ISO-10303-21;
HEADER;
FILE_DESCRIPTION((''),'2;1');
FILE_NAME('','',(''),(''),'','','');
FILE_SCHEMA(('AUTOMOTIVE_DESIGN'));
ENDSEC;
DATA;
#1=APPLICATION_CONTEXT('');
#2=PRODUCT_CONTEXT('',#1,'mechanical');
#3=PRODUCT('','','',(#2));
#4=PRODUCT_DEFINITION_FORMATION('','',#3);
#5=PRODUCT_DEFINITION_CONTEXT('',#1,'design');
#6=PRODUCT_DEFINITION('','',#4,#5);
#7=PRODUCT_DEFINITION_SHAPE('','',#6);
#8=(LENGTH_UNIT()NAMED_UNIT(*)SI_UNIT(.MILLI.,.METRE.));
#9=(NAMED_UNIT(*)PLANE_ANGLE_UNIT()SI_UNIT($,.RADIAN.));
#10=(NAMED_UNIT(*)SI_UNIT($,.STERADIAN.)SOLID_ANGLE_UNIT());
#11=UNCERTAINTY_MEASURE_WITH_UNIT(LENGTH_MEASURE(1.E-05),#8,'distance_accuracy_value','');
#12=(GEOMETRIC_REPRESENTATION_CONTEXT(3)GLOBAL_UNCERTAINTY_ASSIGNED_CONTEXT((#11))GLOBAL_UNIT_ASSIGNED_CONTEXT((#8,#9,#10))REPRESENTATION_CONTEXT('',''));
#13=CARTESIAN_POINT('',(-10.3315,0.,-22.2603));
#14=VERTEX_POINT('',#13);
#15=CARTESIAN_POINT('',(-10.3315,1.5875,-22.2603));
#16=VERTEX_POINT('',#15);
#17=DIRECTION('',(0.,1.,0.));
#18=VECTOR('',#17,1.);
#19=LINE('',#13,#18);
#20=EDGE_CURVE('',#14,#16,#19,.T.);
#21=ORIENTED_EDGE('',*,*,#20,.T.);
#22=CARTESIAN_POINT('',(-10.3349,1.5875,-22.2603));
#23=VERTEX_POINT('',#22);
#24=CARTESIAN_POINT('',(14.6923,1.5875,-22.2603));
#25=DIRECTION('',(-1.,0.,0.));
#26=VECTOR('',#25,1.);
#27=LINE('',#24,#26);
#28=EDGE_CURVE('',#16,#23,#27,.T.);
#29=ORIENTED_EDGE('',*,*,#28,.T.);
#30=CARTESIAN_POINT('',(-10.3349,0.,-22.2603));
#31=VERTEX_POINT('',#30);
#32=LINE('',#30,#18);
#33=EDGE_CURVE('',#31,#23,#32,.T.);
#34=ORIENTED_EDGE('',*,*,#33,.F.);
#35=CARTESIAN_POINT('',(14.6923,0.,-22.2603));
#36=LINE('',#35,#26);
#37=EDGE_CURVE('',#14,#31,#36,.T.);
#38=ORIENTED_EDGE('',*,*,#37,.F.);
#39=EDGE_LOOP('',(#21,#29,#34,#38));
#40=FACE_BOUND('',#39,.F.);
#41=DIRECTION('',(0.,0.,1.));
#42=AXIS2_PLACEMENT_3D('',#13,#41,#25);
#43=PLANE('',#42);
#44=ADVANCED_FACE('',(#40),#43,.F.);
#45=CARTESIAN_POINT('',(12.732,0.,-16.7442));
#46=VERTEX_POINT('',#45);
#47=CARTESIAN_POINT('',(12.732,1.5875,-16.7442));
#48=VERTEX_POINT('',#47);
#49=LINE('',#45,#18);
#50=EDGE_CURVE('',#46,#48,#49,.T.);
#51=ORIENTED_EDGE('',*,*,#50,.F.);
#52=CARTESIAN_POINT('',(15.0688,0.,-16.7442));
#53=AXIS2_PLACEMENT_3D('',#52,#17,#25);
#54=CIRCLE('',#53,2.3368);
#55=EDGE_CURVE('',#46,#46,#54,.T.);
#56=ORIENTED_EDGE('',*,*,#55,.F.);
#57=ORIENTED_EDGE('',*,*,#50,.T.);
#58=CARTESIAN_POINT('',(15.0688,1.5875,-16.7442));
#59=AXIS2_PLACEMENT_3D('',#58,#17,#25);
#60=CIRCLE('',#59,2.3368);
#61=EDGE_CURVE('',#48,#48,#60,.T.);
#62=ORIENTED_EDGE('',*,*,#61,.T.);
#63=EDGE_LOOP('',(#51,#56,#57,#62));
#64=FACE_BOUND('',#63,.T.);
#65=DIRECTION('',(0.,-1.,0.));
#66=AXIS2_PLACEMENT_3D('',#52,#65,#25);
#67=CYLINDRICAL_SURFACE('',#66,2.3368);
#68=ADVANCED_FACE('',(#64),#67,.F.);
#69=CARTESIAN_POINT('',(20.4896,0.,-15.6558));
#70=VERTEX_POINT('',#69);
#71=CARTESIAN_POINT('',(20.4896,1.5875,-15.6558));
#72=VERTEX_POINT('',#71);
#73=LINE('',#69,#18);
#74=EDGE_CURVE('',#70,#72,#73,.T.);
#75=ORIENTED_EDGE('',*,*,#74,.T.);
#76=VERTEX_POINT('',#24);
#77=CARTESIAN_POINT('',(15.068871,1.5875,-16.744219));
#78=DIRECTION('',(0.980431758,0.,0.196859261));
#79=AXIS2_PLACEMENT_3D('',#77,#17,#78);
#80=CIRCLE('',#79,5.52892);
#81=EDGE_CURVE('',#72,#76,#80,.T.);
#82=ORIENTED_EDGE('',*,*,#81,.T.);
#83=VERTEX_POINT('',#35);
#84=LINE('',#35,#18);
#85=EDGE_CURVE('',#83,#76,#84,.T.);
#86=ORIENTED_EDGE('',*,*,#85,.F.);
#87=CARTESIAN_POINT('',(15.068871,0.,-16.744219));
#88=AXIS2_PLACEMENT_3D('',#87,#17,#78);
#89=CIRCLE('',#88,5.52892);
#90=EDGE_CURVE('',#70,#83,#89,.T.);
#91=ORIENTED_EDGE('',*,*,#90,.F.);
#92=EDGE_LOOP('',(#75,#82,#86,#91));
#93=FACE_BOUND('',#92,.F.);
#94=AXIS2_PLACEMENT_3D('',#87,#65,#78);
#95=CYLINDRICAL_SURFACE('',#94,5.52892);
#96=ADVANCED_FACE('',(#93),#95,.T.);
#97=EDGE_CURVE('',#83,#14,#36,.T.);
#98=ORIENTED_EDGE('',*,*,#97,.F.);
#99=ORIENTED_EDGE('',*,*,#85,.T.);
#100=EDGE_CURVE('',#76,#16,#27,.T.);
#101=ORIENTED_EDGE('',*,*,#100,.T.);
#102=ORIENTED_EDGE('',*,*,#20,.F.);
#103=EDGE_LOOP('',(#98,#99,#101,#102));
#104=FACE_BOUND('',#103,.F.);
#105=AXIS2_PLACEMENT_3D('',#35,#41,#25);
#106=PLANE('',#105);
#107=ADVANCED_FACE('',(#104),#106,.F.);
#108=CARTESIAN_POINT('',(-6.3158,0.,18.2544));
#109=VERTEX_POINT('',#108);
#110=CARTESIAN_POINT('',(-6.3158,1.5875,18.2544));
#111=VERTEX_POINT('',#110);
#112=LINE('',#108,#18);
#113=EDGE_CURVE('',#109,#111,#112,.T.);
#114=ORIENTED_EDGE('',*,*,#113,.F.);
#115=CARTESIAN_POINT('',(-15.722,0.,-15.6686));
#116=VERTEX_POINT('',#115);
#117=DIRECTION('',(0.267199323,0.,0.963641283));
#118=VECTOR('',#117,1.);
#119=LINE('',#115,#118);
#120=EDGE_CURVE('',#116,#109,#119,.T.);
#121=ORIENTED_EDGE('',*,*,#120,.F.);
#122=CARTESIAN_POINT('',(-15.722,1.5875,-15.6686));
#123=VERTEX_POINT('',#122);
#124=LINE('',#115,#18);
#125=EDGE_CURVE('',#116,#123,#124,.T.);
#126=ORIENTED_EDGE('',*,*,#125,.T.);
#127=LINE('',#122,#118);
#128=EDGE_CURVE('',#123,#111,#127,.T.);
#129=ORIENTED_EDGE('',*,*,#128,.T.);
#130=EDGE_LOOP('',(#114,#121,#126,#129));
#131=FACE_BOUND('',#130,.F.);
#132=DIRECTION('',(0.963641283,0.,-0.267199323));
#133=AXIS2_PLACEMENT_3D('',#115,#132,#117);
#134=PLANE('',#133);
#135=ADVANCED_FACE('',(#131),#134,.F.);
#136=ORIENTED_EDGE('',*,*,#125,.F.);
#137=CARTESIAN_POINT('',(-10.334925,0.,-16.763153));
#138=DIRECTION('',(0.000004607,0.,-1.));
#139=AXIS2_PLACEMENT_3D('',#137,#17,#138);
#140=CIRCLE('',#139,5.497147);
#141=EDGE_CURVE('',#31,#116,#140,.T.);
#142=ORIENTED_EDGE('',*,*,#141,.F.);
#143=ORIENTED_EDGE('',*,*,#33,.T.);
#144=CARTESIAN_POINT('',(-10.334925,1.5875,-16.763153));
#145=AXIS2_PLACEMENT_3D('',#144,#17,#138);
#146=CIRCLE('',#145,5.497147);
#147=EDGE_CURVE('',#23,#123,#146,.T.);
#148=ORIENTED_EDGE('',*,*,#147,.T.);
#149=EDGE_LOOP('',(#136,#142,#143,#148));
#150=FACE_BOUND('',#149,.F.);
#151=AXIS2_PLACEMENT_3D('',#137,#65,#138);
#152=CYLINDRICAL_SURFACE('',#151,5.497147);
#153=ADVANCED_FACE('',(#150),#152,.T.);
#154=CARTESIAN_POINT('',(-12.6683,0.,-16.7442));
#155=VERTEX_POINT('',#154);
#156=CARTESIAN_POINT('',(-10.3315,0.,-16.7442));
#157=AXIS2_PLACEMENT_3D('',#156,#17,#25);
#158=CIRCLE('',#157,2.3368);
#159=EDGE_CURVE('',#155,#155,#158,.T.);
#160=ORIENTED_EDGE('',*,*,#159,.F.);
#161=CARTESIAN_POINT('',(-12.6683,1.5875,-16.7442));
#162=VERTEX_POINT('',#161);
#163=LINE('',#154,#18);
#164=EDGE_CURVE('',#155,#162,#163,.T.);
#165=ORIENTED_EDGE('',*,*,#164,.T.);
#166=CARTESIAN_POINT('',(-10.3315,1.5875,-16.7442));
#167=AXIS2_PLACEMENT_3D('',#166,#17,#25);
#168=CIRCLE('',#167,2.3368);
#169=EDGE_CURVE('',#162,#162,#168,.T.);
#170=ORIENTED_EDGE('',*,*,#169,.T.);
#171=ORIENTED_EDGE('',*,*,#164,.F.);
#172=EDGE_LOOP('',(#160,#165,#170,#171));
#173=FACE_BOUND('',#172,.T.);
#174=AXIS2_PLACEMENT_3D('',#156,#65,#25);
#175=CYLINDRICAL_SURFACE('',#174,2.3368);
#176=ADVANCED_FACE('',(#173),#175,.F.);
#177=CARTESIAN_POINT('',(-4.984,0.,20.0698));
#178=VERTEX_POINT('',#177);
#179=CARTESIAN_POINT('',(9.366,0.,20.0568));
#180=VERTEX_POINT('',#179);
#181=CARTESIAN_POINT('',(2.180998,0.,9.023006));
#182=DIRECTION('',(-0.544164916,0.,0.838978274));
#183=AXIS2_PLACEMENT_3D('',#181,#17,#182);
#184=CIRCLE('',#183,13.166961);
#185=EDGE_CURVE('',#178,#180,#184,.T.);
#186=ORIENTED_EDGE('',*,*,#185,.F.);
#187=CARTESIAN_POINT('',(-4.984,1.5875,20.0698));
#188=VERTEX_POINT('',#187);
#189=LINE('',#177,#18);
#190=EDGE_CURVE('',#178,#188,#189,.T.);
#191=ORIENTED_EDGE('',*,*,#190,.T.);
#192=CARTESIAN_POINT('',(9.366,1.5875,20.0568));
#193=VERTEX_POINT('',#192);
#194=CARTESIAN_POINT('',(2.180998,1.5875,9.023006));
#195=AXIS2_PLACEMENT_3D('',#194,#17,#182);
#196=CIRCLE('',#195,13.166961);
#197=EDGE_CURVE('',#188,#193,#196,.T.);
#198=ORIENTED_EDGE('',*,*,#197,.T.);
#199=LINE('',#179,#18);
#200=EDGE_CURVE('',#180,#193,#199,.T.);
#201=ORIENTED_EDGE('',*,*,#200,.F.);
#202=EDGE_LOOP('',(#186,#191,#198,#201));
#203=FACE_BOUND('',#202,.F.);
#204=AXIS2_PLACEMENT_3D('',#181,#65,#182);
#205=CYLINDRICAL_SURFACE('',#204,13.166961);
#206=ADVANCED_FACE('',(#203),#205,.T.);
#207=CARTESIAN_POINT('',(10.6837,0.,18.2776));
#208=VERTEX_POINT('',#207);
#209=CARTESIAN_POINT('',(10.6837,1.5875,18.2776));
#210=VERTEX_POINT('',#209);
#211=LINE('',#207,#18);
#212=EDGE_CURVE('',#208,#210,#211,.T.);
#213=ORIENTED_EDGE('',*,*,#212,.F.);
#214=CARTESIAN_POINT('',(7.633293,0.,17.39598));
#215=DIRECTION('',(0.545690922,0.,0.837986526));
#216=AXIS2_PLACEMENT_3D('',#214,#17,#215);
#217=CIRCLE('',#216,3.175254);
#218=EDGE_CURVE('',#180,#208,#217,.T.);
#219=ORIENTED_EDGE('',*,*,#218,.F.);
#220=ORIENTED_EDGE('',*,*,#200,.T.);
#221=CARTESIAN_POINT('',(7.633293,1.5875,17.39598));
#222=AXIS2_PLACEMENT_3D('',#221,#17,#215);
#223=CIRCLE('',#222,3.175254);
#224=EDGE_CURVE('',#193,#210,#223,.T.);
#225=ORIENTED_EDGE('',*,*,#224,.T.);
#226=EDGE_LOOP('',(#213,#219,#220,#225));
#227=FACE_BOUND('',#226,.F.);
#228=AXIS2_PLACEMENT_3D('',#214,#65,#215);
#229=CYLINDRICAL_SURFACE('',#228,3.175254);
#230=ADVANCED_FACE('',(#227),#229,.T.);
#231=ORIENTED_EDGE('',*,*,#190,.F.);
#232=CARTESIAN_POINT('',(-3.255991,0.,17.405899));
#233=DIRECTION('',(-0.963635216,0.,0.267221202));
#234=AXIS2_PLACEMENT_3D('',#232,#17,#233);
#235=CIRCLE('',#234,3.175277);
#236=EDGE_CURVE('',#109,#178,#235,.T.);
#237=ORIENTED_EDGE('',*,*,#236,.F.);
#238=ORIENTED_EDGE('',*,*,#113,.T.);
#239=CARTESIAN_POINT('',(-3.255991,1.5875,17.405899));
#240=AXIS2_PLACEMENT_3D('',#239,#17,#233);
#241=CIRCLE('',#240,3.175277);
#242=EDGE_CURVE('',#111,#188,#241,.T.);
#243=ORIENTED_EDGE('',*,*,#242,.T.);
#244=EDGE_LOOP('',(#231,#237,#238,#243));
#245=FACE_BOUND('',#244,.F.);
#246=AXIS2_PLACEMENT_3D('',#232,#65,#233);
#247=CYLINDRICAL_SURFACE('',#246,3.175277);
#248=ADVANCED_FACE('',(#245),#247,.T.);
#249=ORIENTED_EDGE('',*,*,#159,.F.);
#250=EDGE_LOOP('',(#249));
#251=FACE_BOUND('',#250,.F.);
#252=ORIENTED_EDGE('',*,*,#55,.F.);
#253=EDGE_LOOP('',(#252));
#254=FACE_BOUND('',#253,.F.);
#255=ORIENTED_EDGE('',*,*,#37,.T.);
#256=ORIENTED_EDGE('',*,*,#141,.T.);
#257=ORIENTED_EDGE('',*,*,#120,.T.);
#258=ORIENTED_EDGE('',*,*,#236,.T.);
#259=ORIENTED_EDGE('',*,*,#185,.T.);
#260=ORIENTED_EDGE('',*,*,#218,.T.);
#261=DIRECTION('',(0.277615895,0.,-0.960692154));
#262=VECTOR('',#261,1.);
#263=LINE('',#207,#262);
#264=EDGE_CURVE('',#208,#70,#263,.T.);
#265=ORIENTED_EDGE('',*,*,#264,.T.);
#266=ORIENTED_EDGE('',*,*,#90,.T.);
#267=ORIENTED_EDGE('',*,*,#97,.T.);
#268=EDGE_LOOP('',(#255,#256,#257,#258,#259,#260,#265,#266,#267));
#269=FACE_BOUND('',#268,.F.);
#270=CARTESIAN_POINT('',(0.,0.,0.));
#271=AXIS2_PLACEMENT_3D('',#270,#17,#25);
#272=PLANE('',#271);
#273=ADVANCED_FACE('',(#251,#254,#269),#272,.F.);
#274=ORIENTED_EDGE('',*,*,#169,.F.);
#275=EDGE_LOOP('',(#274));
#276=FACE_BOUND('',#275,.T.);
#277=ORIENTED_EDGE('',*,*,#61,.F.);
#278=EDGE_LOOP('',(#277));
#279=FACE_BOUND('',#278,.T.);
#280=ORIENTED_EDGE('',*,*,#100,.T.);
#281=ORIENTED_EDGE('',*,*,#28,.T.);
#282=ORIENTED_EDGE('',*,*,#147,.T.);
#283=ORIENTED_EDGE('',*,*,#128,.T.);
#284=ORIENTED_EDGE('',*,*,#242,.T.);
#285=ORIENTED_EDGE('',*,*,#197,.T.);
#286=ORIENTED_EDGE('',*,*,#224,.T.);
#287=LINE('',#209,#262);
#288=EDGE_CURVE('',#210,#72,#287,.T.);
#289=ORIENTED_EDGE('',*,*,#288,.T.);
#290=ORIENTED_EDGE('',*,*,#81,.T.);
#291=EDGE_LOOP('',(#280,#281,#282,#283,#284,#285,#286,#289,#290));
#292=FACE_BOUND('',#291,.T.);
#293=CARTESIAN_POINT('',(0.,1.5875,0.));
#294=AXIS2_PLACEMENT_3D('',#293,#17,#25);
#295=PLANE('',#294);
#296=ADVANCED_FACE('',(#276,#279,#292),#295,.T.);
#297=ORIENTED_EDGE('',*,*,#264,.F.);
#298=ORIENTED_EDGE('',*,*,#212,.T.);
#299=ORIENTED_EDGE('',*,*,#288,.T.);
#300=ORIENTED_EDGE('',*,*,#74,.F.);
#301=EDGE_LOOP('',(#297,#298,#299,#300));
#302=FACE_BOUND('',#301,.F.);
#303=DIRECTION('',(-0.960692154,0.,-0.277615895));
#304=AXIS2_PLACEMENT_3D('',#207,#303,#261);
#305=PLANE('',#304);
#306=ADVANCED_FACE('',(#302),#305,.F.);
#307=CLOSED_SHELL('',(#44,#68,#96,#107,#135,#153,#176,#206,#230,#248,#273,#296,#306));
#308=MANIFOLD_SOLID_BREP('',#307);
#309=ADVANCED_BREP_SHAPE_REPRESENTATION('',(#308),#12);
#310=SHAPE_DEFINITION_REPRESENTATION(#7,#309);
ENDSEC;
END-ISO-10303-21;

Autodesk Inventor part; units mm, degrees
ref_plane "YZ Plane" through (0, 0, 0) normal (1, 0, 0) x (0, 1, 0)
ref_plane "XZ Plane" through (0, 0, 0) normal (0, 1, 0) x (-1, 0, 0)
ref_plane "XY Plane" through (0, 0, 0) normal (0, 0, 1) x (1, 0, 0)
sketch "Sketch1" plane through (0, 0, 0) normal (0, 1, 0) x (-1, 0, 0)
  arc A0 (-20.4896, -15.6558) -> (-14.6923, -22.2603) centre (-15.0688, -16.7442) ccw
  line L0 (-14.6923, -22.2603) -> (10.3315, -22.2603)
  arc A1 (-20.4896, -15.6558) -> (-14.6923, -22.2603) centre (-15.0688, -16.7442) ccw
  line L1 (-14.6923, -22.2603) -> (10.3315, -22.2603)
  line L2 (-14.6923, -22.2603) -> (10.3349, -22.2603)
  arc A2 (10.3349, -22.2603) -> (15.722, -15.6686) centre (10.3349, -16.7631) ccw
  line L3 (15.722, -15.6686) -> (6.3158, 18.2544)
  arc A3 (6.3158, 18.2544) -> (4.984, 20.0698) centre (3.2562, 17.406) ccw
  arc A4 (4.984, 20.0698) -> (-9.366, 20.0568) centre (-2.181, 9.023) ccw
  arc A5 (-9.366, 20.0568) -> (-10.6837, 18.2776) centre (-7.6335, 17.3962) ccw
  line L4 (-10.6837, 18.2776) -> (-20.4896, -15.6558)
  arc A6 (-20.4896, -15.6558) -> (-14.6923, -22.2603) centre (-15.0688, -16.7442) ccw
  line L5 (-14.6923, -22.2603) -> (10.3315, -22.2603)
  line L6 (-14.6923, -22.2603) -> (10.3315, -22.2603)
  circle A7 centre (10.3315, -16.7442) radius 2.3368
  circle A8 centre (10.3315, -16.7442) radius 2.3368
  circle A9 centre (10.3315, -16.7442) radius 2.3368
  circle A10 centre (10.3315, -16.7442) radius 2.3368
  circle A11 centre (-15.0688, -16.7442) radius 2.3368
  circle A12 centre (-15.0688, -16.7442) radius 2.3368
  circle A13 centre (-15.0688, -16.7442) radius 2.3368
  circle A14 centre (-15.0688, -16.7442) radius 2.3368
  circle A15 centre (-15.0688, -16.7442) radius 2.3368
  circle A16 centre (-15.0688, -16.7442) radius 2.3368
  line L7 (-14.6923, -22.2603) -> (10.3315, -22.2603)
  circle A17 centre (10.3315, -16.7442) radius 2.3368
  circle A18 centre (10.3315, -16.7442) radius 2.3368
  arc A19 (-20.4896, -15.6558) -> (-14.6923, -22.2603) centre (-15.0688, -16.7442) ccw
  arc A20 (-20.4896, -15.6558) -> (-14.6923, -22.2603) centre (-15.0688, -16.7442) ccw
  arc A21 (-20.4896, -15.6558) -> (-14.6923, -22.2603) centre (-15.0688, -16.7442) ccw
  point P0 (0, 0)
  point P1 (-10.6837, 18.2776)
  point P2 (-14.6923, -22.2603)
  point P3 (10.3349, -22.2603)
  point P4 (-9.366, 20.0568)
extrude "Extrusion1" add sketch "Sketch1" along normal blind 1.5875
equation "\"BendRadius\" = Thickness"
equation "\"BendReliefWidth\" = Thickness"
equation "\"BendReliefDepth\" = 0.5 * Thickness"
equation "\"CornerReliefSize\" = 4 * Thickness"
equation "\"MinimumRemnant\" = 2 * Thickness"
equation "\"TransitionRadius\" = BendRadius"
equation "\"JacobiRadiusSize\" = BendRadius"
equation "\"GapSize\" = Thickness"
equation "\"Thickness\" = 1.5875"
properties part number "Hooks"
